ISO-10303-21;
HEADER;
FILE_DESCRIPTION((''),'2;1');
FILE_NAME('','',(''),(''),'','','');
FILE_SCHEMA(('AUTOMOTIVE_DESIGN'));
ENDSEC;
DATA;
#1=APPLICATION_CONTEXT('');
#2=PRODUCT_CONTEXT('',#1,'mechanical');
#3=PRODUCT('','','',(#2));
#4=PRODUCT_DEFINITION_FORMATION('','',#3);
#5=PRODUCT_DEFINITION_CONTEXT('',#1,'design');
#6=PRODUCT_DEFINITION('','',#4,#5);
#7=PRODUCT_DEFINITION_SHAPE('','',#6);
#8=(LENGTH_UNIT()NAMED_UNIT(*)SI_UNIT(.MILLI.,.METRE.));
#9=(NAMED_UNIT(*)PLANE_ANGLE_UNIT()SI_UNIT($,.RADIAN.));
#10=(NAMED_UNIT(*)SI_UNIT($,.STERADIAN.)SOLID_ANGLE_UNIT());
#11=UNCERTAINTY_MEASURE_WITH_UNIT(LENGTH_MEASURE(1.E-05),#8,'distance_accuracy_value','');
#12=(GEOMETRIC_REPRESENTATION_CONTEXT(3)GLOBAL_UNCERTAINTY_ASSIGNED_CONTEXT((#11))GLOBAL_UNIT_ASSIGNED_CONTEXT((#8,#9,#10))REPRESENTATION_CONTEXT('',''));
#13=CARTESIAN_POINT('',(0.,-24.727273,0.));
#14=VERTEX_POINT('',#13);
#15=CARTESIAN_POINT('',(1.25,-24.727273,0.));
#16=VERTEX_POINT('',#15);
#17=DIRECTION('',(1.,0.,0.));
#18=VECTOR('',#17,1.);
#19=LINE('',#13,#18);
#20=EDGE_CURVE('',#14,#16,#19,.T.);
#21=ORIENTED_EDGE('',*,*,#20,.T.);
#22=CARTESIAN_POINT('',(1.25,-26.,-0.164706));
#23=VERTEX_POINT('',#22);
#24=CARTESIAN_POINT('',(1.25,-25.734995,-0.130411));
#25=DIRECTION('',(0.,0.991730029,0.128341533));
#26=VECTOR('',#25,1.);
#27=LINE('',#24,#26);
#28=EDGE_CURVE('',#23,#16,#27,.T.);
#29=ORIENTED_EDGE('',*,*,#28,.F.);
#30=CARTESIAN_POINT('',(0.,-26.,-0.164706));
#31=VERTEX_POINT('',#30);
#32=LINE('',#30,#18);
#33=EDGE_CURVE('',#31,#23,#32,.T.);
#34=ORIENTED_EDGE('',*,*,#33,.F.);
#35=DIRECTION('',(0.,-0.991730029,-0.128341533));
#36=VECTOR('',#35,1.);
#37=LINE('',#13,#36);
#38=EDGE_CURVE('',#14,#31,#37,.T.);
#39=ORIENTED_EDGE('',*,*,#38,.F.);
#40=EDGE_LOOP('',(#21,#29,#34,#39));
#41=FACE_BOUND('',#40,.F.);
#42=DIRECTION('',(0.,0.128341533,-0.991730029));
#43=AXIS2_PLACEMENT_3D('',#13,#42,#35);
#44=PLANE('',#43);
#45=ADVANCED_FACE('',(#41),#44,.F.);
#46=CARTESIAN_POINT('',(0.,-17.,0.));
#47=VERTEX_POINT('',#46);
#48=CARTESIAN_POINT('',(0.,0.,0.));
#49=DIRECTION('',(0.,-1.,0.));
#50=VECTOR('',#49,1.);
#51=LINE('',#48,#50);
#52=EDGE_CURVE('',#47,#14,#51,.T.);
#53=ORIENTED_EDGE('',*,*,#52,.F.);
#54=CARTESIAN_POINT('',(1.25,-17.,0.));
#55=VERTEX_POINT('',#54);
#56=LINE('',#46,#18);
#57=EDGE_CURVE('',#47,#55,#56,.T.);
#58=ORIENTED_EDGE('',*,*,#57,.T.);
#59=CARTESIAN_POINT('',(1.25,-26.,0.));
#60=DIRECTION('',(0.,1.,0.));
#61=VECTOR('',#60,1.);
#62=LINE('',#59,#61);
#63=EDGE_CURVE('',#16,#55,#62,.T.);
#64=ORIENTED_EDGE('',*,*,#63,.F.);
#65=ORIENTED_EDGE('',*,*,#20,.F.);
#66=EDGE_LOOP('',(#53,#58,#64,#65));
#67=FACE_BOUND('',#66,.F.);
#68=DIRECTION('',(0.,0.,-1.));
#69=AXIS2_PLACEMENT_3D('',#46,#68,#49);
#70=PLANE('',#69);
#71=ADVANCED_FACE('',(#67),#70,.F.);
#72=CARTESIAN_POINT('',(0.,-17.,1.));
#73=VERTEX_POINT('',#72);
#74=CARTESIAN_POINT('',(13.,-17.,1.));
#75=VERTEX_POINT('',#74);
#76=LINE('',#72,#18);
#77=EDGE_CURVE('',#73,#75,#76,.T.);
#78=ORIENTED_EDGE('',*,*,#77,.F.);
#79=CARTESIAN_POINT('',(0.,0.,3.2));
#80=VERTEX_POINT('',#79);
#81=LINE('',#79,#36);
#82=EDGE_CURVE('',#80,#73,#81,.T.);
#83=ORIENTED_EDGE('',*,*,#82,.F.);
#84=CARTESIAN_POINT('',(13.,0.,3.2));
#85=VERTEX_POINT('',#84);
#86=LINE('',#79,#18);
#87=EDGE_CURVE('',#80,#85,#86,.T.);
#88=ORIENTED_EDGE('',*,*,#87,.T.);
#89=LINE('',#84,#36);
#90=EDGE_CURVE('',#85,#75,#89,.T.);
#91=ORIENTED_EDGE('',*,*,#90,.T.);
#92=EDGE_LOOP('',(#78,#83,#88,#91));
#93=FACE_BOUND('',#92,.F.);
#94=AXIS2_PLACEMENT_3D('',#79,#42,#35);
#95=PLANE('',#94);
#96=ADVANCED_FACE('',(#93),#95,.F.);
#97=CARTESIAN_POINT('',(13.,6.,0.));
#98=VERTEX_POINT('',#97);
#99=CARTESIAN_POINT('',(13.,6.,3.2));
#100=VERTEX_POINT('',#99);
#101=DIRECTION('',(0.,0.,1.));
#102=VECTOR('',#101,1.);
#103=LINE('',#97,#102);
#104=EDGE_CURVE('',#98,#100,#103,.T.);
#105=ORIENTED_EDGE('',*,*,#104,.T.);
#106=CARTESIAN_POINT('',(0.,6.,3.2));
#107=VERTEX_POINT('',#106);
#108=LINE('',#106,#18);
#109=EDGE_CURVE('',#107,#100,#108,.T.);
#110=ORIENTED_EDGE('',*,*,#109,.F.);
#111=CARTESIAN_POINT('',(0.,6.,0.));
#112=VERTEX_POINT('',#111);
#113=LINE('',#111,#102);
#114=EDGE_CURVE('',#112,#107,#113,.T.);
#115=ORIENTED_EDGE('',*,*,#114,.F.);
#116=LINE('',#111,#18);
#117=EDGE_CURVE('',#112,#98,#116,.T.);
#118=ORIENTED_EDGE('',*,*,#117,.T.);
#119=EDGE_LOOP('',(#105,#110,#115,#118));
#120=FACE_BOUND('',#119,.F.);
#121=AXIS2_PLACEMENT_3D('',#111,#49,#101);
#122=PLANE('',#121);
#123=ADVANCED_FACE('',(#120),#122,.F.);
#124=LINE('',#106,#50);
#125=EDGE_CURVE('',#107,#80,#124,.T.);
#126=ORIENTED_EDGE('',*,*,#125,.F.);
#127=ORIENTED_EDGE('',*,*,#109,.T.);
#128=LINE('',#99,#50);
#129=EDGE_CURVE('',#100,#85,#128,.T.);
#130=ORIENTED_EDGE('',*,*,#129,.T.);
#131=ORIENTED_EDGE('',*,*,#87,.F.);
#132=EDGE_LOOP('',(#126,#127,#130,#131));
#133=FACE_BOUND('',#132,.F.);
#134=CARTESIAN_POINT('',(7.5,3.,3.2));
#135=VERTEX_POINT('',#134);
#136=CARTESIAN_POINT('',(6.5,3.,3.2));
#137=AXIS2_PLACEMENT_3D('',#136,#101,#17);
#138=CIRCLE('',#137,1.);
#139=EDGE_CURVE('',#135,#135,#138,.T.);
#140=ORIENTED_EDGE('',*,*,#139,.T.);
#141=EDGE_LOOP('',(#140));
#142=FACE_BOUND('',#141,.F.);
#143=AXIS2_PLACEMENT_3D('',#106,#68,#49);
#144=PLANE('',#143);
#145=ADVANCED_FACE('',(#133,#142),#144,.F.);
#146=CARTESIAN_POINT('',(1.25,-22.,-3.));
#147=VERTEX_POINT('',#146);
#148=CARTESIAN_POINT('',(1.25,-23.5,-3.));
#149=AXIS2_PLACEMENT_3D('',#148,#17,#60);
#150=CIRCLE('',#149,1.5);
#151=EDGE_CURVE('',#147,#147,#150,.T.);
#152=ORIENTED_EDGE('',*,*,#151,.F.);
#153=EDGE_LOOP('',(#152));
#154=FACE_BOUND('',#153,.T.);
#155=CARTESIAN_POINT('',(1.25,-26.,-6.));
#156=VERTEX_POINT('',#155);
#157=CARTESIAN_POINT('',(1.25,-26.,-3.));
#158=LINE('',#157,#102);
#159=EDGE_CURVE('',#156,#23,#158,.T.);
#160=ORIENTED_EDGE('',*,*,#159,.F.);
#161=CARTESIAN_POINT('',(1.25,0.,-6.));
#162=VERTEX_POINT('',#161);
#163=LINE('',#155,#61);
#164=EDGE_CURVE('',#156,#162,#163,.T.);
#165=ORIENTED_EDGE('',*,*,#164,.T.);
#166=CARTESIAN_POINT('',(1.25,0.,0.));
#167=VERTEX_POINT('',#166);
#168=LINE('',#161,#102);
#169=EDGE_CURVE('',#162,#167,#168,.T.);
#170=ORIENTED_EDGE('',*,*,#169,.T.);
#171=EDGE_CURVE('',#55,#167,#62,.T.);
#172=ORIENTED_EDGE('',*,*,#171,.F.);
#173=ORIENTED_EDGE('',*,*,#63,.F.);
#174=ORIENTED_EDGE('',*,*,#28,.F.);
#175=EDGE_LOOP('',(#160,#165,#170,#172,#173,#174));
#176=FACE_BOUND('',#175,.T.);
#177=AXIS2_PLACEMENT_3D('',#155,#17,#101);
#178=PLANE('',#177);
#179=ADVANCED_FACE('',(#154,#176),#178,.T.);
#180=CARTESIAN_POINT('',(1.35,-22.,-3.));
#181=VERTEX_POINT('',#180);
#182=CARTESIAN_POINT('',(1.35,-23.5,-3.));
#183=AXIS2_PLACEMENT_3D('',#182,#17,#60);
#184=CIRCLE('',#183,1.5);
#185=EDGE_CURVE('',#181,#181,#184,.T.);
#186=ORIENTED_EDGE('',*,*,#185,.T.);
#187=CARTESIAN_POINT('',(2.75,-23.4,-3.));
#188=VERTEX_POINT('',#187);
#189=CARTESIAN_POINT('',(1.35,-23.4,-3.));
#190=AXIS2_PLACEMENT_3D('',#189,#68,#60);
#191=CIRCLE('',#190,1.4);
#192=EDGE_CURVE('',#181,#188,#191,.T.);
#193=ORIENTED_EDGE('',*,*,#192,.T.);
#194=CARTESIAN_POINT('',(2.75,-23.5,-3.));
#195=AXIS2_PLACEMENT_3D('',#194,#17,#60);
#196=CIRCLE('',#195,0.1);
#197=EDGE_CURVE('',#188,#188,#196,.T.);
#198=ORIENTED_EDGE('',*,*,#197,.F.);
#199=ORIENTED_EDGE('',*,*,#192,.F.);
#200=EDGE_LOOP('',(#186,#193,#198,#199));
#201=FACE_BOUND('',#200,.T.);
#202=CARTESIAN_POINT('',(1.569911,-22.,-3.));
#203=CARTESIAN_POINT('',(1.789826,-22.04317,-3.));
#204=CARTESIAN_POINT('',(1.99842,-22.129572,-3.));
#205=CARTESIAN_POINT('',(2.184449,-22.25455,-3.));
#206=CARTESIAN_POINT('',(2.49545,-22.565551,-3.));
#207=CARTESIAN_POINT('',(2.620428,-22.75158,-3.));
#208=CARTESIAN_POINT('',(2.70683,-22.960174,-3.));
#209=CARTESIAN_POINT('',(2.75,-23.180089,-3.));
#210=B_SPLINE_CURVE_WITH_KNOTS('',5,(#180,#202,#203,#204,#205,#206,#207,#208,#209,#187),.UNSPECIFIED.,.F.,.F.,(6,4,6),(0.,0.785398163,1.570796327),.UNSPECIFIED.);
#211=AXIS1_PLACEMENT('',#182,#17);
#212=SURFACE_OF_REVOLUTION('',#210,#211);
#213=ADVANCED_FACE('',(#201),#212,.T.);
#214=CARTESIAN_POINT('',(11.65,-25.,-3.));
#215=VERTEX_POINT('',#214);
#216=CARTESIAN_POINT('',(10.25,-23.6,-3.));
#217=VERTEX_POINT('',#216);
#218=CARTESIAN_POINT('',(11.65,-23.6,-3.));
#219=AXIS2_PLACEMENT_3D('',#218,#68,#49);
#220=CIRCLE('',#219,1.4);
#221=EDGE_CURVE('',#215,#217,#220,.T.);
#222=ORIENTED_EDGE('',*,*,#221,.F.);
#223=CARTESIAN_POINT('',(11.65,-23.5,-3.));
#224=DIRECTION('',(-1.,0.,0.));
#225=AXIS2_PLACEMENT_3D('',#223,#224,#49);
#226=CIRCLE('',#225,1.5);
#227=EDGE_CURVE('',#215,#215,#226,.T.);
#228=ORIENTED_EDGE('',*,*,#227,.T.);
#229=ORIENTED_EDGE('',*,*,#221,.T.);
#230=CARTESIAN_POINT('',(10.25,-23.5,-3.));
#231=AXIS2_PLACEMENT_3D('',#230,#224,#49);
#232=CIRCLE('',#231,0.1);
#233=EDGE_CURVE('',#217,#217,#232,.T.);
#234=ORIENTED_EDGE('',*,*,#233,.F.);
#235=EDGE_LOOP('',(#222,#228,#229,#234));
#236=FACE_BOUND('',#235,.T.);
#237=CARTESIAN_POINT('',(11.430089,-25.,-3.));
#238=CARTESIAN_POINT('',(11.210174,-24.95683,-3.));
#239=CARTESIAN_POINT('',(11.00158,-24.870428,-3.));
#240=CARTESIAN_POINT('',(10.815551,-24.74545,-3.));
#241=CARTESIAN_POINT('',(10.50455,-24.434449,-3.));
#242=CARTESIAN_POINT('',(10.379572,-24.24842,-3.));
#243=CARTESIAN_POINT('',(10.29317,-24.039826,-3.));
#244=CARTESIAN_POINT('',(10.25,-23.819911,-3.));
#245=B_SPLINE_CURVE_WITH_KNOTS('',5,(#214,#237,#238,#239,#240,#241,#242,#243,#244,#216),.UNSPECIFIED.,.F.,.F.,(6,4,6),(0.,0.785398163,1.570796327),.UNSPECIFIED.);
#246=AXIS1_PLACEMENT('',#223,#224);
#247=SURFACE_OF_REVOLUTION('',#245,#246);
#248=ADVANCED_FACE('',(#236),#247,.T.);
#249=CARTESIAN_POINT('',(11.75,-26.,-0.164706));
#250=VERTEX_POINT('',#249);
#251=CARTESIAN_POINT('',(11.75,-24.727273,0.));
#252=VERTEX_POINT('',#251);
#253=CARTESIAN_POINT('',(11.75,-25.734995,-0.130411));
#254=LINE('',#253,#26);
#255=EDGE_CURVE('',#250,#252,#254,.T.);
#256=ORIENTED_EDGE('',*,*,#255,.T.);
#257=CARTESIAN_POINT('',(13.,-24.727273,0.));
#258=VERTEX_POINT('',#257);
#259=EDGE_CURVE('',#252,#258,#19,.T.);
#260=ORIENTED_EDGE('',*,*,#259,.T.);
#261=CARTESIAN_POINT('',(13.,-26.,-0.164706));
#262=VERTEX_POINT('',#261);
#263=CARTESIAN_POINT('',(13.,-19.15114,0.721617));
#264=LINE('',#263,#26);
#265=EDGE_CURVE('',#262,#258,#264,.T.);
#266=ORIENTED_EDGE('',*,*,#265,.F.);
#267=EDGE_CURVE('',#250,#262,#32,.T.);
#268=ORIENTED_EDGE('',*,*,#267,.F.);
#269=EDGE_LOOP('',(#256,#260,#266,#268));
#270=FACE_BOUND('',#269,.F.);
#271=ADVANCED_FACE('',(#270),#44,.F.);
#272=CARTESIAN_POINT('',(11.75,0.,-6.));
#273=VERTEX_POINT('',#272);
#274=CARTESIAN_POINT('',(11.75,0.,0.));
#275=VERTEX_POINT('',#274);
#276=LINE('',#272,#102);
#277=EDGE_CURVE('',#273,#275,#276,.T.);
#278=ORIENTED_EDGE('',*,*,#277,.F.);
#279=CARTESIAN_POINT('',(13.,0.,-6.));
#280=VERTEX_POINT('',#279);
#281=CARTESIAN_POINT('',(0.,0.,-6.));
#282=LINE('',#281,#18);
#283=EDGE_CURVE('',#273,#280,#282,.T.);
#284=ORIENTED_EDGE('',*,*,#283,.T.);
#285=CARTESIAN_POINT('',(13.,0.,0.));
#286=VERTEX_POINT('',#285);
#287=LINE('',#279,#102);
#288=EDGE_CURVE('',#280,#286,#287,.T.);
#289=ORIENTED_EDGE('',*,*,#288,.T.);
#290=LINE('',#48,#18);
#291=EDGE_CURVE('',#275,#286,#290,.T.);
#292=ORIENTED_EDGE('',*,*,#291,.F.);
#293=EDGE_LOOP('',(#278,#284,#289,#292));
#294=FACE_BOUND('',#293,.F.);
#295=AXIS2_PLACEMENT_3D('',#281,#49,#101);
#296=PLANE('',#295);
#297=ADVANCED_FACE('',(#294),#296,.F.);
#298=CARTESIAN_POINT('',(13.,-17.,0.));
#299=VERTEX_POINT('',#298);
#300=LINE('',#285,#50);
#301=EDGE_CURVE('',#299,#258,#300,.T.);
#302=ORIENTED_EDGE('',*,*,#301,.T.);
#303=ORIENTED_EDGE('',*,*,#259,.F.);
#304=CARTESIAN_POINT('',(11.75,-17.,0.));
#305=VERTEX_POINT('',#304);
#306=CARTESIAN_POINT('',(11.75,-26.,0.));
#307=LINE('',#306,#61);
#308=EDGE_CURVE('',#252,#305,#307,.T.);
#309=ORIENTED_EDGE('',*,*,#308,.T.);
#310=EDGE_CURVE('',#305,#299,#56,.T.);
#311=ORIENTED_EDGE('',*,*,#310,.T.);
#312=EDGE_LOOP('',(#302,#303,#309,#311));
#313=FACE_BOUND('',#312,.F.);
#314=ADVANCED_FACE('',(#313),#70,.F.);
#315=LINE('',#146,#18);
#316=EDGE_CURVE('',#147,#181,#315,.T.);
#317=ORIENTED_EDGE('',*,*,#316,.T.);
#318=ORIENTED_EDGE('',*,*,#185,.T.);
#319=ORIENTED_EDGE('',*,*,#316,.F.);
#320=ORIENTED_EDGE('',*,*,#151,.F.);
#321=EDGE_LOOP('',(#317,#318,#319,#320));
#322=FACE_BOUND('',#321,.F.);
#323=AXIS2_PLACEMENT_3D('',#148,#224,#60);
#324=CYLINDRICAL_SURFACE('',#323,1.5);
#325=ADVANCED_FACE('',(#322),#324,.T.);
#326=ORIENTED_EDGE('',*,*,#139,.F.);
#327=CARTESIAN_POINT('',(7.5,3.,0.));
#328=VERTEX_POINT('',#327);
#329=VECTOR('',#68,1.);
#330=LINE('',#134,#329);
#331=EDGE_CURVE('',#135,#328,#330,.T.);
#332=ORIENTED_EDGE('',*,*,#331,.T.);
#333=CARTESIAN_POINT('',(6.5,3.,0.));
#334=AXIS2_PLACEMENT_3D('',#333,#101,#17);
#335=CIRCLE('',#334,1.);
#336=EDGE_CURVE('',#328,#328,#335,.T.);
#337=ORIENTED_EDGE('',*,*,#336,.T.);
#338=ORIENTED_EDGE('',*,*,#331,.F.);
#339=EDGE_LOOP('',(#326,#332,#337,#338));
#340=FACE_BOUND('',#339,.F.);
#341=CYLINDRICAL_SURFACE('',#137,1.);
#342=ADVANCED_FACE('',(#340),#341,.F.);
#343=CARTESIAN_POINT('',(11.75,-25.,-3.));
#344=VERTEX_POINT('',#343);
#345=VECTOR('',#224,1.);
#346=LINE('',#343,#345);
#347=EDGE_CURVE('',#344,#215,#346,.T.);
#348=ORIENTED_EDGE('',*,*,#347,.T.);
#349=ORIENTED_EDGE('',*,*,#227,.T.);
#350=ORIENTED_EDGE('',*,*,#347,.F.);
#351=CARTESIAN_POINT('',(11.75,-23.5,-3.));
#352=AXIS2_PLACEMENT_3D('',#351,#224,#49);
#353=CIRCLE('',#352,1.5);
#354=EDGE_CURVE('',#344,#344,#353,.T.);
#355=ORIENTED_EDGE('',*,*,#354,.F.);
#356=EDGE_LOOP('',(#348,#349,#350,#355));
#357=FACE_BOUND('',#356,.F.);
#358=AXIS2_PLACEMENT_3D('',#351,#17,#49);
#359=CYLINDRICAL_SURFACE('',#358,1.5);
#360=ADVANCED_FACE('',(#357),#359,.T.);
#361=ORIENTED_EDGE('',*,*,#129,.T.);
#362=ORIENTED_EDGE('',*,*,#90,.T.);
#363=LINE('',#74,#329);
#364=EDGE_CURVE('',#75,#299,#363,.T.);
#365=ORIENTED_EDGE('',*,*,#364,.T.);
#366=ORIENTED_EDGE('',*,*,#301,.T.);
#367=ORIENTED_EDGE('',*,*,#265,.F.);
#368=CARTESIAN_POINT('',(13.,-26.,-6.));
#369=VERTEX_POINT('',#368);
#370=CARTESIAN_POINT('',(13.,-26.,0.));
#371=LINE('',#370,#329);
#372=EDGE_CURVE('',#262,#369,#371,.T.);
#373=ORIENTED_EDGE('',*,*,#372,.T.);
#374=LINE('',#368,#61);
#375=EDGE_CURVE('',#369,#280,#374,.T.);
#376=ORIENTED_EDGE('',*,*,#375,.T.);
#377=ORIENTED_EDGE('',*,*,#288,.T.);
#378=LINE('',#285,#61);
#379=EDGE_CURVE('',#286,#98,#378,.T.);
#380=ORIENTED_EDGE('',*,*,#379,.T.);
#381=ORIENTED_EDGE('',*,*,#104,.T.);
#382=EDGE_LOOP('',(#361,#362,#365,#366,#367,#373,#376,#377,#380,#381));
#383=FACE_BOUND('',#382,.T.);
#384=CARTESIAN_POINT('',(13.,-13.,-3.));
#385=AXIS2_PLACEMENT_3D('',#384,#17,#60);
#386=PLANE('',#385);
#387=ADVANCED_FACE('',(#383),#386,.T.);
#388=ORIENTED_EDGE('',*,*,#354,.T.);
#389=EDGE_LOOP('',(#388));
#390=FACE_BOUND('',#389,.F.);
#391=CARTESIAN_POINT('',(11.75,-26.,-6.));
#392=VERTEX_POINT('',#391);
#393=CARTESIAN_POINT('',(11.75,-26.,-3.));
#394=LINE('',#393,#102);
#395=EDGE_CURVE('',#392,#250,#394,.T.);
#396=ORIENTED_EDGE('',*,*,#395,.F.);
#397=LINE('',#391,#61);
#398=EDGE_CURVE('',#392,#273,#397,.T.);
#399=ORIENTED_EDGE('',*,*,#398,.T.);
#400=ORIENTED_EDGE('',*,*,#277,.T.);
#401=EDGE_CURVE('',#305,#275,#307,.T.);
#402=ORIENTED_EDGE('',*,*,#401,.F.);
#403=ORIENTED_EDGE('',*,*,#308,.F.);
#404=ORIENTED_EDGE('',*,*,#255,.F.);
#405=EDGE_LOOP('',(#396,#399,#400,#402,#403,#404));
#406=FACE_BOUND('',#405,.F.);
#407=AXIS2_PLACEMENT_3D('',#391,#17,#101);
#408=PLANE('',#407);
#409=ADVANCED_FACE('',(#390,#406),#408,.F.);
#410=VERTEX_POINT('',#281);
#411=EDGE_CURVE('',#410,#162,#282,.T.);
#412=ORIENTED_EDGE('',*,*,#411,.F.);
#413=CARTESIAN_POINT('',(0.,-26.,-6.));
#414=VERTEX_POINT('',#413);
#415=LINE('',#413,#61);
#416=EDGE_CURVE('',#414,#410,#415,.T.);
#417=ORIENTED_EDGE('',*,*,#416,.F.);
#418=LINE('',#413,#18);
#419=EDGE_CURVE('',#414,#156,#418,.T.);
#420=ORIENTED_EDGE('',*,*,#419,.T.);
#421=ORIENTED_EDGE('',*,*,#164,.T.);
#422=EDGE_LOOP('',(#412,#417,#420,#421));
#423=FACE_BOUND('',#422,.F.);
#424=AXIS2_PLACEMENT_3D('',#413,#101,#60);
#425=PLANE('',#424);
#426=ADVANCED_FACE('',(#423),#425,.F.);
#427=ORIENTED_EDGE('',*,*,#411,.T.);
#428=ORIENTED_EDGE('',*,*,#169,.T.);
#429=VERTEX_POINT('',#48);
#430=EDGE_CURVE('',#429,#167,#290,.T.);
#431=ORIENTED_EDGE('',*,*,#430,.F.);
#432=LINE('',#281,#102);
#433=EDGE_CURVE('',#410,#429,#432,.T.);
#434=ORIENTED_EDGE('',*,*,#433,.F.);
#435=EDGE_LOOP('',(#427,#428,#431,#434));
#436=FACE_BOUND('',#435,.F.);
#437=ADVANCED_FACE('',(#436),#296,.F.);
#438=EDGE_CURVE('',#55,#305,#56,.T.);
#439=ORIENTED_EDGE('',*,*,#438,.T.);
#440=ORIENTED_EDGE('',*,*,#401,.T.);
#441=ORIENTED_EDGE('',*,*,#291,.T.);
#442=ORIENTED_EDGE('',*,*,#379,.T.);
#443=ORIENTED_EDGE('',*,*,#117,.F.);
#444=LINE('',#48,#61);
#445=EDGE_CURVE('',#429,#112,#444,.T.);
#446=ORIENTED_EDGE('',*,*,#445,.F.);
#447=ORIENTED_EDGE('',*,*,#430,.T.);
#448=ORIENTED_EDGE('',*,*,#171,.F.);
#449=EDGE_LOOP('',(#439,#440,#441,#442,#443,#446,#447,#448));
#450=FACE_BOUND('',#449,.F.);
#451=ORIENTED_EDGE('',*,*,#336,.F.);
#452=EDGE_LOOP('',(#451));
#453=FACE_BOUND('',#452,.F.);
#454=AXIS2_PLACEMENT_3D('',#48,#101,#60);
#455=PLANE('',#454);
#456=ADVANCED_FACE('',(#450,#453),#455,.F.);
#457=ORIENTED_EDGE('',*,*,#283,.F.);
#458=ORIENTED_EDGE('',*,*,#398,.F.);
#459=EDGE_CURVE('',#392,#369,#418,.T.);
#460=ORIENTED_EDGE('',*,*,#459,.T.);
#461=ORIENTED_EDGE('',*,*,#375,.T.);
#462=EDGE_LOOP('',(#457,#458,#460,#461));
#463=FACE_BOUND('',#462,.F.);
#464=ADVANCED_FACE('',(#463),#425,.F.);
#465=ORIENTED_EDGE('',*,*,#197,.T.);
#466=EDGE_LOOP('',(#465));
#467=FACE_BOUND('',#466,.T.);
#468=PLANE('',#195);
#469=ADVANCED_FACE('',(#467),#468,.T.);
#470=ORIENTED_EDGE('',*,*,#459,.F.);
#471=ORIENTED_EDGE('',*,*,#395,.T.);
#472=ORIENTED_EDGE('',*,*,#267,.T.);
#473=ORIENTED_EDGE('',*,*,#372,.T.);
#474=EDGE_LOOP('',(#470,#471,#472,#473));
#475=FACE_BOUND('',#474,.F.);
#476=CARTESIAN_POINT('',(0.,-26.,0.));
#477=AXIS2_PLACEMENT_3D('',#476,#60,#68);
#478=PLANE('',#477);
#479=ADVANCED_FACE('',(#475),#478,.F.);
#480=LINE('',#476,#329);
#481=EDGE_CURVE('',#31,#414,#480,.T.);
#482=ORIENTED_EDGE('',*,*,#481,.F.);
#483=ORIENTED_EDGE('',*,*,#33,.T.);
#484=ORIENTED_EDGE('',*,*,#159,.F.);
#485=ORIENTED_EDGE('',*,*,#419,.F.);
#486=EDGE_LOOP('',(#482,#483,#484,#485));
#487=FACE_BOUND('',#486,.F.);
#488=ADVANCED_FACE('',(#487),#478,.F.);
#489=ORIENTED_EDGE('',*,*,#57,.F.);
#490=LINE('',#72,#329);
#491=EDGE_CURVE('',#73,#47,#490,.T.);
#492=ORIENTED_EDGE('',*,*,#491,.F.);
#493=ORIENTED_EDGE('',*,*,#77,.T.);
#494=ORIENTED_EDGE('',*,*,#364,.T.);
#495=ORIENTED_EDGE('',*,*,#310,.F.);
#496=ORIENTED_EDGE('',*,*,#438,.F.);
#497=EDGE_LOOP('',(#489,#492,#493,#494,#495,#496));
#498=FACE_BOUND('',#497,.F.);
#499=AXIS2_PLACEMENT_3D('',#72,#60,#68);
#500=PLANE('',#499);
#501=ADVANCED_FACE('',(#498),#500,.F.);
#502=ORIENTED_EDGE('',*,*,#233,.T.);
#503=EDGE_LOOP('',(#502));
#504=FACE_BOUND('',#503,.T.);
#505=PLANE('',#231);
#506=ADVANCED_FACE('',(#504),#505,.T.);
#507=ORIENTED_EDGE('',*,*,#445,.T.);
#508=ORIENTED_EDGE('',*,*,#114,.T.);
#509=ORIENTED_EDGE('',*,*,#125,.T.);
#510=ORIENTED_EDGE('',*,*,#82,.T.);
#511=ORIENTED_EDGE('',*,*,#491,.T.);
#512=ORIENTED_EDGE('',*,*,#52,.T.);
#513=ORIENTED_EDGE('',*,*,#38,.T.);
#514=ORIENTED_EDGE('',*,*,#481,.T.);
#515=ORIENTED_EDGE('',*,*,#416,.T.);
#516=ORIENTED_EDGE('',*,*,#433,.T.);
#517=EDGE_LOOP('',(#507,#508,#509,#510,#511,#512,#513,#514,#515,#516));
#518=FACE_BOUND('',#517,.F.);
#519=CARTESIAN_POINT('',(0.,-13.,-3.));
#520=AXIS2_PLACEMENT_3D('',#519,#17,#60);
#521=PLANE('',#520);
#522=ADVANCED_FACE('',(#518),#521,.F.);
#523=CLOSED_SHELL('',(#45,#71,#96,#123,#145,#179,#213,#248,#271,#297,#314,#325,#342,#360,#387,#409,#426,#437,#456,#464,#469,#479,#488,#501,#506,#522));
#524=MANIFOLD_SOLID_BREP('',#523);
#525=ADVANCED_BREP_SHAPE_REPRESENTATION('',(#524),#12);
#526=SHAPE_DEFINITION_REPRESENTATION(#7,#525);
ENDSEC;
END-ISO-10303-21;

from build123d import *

# Parameters (mm, degrees)
F1_DEPTH  = 13
F2_R      = 1
F3_DEPTH  = 9.201
F4_W      = 10.5
F4_H      = 6
F5_DEPTH  = 32.001
F6_R      = 1.5
F7_DEPTH  = 1.5
F8_R      = 1.4
F9_R      = 1.5
F10_DEPTH = 1.5
F11_R     = 1.4
F13_DEPTH = 13.001


with BuildPart() as f1:
    # F0 (on Right) → F1 (new body)
    with BuildSketch(Plane.YZ):
        Polygon((0, -6), (0, 0), (-17, 0), (-26, 0), (-26, -6), align=None)
        Polygon((-17, 0), (0, 0), (6, 0), (6, 3.2), (0, 3.2), (-17, 1), align=None)
    extrude(amount=F1_DEPTH)

    # F2 (on face) → F3 (cut, through all)
    with BuildSketch(Plane.XY.offset(3.2)):
        with Locations((6.5, 3.0000000261)):
            Circle(F2_R)
    extrude(amount=-F3_DEPTH, mode=Mode.SUBTRACT)

    # F4 (on face) → F5 (cut, through all)
    with BuildSketch(Plane.XZ.offset(26)):
        with Locations((6.5, -3)):
            Rectangle(F4_W, F4_H)
    extrude(amount=-F5_DEPTH, mode=Mode.SUBTRACT)

    # F6 (on face) → F7 (join)
    with BuildSketch(Plane.YZ.offset(1.25)):
        with Locations((-23.5, -3)):
            Circle(F6_R)
    extrude(amount=F7_DEPTH)

    # F8
    f8_edges = [f1.edges().sort_by_distance(p)[0] for p in [
        (2.75, -25, -3),
    ]]
    fillet(f8_edges, radius=F8_R)

    # F9 (on face) → F10 (join)
    with BuildSketch(Plane(origin=(11.75, 0, 0), x_dir=(0, -1, 0), z_dir=(-1, 0, 0))):
        with Locations((23.5, -3)):
            Circle(F9_R)
    extrude(amount=F10_DEPTH)

    # F11
    f11_edges = [f1.edges().sort_by_distance(p)[0] for p in [
        (10.25, -22, -3),
    ]]
    fillet(f11_edges, radius=F11_R)

    # F12 (on face) → F13 (cut, through all)
    with BuildSketch(Plane(origin=(0, 0, 0), x_dir=(0, -1, 0), z_dir=(-1, 0, 0))):
        Polygon((26, 0), (24.7272727273, 0), (26, -0.1647058824), align=None)
    extrude(amount=-F13_DEPTH, mode=Mode.SUBTRACT)


solid = f1.part
